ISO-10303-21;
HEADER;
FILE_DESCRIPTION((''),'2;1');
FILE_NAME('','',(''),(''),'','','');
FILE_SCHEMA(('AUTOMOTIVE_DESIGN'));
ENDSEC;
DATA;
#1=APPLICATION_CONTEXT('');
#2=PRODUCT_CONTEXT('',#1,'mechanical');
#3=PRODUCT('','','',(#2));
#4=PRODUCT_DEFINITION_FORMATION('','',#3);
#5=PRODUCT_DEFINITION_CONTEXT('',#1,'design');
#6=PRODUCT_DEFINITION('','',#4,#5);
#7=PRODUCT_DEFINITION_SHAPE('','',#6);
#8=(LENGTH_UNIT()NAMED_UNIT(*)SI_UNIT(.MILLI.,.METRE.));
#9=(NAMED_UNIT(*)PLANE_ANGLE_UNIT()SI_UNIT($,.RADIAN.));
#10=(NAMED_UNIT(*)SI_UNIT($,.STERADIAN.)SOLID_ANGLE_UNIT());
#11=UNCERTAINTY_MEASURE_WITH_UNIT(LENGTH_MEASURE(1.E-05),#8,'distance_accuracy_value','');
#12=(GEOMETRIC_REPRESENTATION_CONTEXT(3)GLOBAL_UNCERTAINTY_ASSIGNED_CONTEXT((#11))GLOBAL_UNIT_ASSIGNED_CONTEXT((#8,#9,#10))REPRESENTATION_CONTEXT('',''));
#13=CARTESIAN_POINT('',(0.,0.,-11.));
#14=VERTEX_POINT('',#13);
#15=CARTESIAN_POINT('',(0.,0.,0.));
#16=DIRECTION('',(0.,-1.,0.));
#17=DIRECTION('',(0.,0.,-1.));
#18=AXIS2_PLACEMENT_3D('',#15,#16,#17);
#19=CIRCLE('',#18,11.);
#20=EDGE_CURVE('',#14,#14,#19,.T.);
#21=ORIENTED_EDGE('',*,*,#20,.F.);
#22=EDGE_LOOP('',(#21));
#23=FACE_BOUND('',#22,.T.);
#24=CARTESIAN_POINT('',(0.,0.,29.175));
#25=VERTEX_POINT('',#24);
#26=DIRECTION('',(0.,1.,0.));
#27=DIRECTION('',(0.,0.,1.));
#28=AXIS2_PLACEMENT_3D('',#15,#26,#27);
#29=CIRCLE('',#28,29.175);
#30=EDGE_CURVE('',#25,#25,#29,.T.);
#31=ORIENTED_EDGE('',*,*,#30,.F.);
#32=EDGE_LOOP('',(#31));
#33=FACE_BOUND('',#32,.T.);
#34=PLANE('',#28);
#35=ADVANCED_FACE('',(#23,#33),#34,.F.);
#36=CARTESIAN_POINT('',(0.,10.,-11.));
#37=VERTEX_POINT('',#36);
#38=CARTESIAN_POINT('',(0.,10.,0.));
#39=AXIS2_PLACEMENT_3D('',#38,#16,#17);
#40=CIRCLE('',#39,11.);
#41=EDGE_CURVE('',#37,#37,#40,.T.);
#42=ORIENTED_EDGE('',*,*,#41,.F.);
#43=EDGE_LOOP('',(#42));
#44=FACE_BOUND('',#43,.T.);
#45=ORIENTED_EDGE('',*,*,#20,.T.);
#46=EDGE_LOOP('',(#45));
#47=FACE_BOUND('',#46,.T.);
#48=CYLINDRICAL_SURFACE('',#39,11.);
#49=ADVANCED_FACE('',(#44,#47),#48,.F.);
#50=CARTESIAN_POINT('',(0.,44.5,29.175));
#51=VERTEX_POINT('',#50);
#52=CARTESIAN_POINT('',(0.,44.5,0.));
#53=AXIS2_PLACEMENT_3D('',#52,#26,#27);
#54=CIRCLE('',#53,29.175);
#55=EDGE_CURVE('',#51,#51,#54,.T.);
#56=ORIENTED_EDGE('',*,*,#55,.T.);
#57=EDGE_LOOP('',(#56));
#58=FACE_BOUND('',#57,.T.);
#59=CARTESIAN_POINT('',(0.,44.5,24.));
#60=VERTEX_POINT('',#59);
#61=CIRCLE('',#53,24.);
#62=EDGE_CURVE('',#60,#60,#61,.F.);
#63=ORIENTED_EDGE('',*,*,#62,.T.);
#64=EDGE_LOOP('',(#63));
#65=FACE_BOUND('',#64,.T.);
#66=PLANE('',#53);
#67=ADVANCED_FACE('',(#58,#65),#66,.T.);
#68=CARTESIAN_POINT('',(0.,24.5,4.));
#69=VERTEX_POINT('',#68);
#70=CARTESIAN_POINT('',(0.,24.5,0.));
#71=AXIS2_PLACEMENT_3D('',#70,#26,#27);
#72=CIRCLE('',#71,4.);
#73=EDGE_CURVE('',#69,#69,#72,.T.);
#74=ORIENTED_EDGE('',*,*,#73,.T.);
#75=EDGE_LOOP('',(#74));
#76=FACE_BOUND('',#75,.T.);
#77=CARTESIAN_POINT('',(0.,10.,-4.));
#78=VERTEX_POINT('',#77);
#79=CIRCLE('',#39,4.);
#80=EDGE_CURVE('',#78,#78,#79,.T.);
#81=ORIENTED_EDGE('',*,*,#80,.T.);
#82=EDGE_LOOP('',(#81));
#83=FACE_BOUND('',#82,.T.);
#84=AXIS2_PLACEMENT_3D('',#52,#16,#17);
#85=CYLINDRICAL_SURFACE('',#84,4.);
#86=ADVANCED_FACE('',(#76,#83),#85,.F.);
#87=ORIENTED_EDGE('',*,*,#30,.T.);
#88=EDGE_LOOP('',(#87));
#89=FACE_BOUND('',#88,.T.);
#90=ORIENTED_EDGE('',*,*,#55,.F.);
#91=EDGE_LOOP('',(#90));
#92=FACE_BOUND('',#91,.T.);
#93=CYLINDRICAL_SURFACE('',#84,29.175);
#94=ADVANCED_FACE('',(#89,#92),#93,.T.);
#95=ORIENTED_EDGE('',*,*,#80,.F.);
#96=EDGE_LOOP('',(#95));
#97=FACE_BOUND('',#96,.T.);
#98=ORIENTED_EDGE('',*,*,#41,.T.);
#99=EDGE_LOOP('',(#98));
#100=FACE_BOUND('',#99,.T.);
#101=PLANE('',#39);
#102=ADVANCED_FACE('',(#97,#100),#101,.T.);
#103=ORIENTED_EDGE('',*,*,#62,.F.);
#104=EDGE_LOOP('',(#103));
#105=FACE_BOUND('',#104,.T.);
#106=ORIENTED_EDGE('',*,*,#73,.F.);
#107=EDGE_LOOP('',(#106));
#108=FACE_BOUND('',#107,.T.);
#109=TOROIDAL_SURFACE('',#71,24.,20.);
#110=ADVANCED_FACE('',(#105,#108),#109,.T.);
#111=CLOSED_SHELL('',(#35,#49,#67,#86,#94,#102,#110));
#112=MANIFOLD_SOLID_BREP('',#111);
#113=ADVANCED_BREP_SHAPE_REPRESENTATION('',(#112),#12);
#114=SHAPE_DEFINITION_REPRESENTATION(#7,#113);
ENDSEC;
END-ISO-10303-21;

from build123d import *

# Parameters (mm, degrees)
SKETCH1_R           = 29.175
SKETCH1_R_2         = 4
BOSS_EXTRUDE1_DEPTH = 44.5
FILLET1_R           = 20
SKETCH2_R           = 11
CUT_EXTRUDE1_DEPTH  = 10


with BuildPart() as part:
    # Sketch1 → Boss-Extrude1 (new body)
    with BuildSketch(Plane(origin=(0, 0, 0), x_dir=(1, 0, 0), z_dir=(0, 1, 0))):
        with Locations(Location((0, 0, 0), (0, 0, 270))):
            Circle(SKETCH1_R)
        with Locations(Location((0, 0, 0), (0, 0, 270))):
            Circle(SKETCH1_R_2, mode=Mode.SUBTRACT)
    extrude(amount=BOSS_EXTRUDE1_DEPTH)

    # Fillet1
    fillet1_edges = [part.edges().sort_by_distance(p)[0] for p in [
        (0, 44.5, -4),
    ]]
    fillet(fillet1_edges, radius=FILLET1_R)

    # Sketch2 → Cut-Extrude1 (cut)
    with BuildSketch(Plane.XZ):
        with Locations(Location((0, 0, 0), (0, 0, 270))):
            Circle(SKETCH2_R)
    extrude(amount=-CUT_EXTRUDE1_DEPTH, mode=Mode.SUBTRACT)


solid = part.part
